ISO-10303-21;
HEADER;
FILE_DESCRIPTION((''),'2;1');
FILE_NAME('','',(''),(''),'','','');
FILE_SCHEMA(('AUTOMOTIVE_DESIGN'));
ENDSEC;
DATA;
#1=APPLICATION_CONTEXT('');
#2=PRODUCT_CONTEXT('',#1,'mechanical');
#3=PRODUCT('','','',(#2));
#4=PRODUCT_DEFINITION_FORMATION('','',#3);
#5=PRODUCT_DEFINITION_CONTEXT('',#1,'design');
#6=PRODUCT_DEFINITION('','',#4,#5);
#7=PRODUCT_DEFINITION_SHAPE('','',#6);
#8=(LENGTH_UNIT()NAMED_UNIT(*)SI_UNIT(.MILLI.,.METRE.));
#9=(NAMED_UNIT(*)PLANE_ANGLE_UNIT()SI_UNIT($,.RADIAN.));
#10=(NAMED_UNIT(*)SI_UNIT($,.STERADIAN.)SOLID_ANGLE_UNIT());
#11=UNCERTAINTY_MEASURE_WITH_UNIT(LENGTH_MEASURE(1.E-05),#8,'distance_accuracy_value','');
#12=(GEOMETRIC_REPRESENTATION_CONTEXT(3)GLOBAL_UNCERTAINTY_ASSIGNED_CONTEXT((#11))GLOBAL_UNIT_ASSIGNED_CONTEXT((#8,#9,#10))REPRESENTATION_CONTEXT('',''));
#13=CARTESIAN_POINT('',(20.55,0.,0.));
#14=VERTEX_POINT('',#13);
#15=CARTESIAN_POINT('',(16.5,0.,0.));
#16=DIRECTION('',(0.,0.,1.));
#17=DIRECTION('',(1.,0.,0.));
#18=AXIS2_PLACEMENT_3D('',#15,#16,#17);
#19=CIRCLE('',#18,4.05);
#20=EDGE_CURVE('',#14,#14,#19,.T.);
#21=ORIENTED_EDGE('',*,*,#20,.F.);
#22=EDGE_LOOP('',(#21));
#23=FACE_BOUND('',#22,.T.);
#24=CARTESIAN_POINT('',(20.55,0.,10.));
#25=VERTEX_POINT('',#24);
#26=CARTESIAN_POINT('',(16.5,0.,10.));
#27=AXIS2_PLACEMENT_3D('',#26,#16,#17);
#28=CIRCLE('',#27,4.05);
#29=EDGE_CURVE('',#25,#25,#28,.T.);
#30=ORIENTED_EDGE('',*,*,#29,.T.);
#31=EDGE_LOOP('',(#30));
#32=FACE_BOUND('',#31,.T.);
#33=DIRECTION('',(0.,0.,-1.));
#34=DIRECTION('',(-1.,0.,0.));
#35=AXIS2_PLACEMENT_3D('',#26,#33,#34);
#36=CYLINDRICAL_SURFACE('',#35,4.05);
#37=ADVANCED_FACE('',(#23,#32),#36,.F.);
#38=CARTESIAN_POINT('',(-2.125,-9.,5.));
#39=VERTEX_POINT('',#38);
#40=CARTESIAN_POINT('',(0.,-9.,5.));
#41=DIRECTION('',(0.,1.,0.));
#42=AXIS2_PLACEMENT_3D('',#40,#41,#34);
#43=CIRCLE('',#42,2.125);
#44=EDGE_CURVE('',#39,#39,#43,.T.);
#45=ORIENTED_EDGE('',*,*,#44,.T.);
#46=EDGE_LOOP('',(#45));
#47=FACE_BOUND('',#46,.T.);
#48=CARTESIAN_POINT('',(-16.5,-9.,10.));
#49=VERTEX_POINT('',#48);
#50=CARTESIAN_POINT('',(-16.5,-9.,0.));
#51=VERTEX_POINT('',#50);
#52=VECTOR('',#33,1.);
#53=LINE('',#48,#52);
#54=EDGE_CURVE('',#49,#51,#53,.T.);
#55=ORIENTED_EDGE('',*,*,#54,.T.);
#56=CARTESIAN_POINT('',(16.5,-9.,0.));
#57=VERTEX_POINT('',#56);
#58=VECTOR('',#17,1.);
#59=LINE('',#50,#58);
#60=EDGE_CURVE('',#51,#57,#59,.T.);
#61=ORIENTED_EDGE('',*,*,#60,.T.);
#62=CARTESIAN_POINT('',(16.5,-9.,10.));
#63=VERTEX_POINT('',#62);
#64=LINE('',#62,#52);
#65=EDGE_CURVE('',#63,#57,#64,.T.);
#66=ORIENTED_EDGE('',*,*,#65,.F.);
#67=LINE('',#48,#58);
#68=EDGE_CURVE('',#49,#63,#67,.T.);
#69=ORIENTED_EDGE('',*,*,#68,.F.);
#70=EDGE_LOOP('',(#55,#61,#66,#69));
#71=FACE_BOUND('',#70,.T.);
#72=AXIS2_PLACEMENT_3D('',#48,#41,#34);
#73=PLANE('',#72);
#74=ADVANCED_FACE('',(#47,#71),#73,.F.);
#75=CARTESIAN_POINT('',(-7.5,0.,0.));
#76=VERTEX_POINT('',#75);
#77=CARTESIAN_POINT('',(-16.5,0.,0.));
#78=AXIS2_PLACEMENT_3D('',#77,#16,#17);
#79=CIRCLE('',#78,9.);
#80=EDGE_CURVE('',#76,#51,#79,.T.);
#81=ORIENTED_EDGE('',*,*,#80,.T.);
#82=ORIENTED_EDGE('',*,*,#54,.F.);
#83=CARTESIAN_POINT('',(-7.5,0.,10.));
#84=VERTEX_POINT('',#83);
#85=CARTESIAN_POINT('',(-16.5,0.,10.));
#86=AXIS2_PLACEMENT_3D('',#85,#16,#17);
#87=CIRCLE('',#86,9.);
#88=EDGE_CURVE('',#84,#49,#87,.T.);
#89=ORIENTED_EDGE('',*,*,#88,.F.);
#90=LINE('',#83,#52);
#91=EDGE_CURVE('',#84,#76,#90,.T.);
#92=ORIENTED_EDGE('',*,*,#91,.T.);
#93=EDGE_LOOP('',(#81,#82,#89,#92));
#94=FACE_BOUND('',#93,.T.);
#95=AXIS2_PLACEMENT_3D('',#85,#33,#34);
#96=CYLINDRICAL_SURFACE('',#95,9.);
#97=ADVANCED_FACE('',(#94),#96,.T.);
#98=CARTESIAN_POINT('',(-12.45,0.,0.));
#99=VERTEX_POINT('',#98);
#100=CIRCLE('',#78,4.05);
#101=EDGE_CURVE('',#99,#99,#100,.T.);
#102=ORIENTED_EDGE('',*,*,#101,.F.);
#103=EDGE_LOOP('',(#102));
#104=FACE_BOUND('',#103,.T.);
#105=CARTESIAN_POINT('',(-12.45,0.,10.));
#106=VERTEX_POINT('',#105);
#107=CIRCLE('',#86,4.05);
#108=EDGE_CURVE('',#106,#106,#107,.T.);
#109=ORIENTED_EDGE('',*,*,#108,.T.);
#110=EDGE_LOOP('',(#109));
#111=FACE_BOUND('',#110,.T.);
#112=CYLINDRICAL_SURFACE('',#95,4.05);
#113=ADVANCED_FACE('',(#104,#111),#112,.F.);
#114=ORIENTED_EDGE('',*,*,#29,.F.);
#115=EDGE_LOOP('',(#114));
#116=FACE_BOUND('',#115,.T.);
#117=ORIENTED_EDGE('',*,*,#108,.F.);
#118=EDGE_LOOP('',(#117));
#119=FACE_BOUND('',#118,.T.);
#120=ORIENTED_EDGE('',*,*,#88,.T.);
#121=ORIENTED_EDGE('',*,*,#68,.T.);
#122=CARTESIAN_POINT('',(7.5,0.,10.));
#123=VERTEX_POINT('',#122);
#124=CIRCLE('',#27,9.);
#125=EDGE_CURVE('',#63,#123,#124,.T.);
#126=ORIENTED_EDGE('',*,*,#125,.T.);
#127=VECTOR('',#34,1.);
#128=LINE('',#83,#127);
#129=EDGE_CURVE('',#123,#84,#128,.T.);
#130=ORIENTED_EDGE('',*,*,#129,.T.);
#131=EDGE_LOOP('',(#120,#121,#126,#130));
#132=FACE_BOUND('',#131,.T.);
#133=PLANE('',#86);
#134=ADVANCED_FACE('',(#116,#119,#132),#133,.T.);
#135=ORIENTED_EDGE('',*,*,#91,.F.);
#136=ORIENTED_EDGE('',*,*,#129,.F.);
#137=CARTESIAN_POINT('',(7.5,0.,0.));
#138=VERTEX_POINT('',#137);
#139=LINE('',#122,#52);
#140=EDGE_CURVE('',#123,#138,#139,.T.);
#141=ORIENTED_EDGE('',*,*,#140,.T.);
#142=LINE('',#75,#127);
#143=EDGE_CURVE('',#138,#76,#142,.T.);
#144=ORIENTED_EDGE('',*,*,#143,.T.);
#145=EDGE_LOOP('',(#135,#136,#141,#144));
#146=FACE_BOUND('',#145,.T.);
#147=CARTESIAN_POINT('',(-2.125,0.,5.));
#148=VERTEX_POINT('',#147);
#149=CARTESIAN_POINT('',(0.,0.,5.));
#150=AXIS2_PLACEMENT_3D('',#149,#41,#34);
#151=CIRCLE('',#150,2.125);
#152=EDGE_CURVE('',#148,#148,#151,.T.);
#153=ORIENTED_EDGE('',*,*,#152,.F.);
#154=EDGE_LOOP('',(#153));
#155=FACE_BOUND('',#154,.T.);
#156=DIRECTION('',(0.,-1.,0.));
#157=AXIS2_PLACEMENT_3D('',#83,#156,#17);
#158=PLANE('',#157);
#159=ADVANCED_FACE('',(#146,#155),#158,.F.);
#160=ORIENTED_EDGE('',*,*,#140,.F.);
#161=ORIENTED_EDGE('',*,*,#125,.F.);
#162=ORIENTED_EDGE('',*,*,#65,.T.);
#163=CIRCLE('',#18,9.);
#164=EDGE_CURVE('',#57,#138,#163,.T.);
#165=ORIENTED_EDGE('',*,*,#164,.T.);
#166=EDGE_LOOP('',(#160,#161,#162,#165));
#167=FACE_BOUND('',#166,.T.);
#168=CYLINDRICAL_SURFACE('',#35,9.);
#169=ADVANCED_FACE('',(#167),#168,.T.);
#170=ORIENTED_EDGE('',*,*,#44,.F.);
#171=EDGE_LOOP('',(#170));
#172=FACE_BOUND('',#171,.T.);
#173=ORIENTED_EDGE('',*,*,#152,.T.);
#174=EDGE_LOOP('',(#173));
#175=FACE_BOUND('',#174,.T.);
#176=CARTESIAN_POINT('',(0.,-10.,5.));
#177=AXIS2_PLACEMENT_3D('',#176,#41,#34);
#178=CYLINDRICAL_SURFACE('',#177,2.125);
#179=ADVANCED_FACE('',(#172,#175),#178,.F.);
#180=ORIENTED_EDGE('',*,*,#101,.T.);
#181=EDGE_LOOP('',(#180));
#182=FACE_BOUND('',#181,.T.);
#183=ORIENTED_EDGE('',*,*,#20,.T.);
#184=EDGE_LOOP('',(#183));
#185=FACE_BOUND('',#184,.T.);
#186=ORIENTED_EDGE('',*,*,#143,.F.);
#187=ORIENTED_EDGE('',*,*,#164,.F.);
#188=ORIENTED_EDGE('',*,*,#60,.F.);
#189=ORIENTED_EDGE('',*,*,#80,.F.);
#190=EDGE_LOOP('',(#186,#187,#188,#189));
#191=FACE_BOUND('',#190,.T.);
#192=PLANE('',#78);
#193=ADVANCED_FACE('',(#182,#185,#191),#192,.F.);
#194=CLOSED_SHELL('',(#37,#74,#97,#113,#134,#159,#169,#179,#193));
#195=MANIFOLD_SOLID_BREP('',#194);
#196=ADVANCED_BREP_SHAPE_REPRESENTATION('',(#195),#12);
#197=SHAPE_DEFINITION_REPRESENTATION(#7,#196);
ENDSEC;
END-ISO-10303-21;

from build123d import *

# Parameters (mm, degrees)
ESBO_O1_R                = 4.05
RESSALTO_EXTRUS_O1_DEPTH = 10
ESBO_O2_R                = 2.125
CORTE_EXTRUS_O1_DEPTH    = 10


with BuildPart() as part:
    # Esboço1 → Ressalto-extrusão1 (new body)
    with BuildSketch(Plane.XY):
        with BuildLine():
            Line((-16.5, -9), (16.5, -9))
            ThreePointArc((16.5, -9), (22.863961031, 6.363961031), (7.5, 0))
            Line((7.5, 0), (-7.5, 0))
            ThreePointArc((-7.5, 0), (-22.863961031, 6.363961031), (-16.5, -9))
        make_face()
        with Locations((-16.5, 0)):
            Circle(ESBO_O1_R, mode=Mode.SUBTRACT)
        with Locations((16.5, 0)):
            Circle(ESBO_O1_R, mode=Mode.SUBTRACT)
    extrude(amount=RESSALTO_EXTRUS_O1_DEPTH)

    # Esboço2 → Corte-extrusão1 (cut)
    with BuildSketch(Plane(origin=(0, 0, 0), x_dir=(1, 0, 0), z_dir=(0, 1, 0))):
        with Locations((0, -5)):
            Circle(ESBO_O2_R)
    extrude(amount=-CORTE_EXTRUS_O1_DEPTH, mode=Mode.SUBTRACT)


solid = part.part
